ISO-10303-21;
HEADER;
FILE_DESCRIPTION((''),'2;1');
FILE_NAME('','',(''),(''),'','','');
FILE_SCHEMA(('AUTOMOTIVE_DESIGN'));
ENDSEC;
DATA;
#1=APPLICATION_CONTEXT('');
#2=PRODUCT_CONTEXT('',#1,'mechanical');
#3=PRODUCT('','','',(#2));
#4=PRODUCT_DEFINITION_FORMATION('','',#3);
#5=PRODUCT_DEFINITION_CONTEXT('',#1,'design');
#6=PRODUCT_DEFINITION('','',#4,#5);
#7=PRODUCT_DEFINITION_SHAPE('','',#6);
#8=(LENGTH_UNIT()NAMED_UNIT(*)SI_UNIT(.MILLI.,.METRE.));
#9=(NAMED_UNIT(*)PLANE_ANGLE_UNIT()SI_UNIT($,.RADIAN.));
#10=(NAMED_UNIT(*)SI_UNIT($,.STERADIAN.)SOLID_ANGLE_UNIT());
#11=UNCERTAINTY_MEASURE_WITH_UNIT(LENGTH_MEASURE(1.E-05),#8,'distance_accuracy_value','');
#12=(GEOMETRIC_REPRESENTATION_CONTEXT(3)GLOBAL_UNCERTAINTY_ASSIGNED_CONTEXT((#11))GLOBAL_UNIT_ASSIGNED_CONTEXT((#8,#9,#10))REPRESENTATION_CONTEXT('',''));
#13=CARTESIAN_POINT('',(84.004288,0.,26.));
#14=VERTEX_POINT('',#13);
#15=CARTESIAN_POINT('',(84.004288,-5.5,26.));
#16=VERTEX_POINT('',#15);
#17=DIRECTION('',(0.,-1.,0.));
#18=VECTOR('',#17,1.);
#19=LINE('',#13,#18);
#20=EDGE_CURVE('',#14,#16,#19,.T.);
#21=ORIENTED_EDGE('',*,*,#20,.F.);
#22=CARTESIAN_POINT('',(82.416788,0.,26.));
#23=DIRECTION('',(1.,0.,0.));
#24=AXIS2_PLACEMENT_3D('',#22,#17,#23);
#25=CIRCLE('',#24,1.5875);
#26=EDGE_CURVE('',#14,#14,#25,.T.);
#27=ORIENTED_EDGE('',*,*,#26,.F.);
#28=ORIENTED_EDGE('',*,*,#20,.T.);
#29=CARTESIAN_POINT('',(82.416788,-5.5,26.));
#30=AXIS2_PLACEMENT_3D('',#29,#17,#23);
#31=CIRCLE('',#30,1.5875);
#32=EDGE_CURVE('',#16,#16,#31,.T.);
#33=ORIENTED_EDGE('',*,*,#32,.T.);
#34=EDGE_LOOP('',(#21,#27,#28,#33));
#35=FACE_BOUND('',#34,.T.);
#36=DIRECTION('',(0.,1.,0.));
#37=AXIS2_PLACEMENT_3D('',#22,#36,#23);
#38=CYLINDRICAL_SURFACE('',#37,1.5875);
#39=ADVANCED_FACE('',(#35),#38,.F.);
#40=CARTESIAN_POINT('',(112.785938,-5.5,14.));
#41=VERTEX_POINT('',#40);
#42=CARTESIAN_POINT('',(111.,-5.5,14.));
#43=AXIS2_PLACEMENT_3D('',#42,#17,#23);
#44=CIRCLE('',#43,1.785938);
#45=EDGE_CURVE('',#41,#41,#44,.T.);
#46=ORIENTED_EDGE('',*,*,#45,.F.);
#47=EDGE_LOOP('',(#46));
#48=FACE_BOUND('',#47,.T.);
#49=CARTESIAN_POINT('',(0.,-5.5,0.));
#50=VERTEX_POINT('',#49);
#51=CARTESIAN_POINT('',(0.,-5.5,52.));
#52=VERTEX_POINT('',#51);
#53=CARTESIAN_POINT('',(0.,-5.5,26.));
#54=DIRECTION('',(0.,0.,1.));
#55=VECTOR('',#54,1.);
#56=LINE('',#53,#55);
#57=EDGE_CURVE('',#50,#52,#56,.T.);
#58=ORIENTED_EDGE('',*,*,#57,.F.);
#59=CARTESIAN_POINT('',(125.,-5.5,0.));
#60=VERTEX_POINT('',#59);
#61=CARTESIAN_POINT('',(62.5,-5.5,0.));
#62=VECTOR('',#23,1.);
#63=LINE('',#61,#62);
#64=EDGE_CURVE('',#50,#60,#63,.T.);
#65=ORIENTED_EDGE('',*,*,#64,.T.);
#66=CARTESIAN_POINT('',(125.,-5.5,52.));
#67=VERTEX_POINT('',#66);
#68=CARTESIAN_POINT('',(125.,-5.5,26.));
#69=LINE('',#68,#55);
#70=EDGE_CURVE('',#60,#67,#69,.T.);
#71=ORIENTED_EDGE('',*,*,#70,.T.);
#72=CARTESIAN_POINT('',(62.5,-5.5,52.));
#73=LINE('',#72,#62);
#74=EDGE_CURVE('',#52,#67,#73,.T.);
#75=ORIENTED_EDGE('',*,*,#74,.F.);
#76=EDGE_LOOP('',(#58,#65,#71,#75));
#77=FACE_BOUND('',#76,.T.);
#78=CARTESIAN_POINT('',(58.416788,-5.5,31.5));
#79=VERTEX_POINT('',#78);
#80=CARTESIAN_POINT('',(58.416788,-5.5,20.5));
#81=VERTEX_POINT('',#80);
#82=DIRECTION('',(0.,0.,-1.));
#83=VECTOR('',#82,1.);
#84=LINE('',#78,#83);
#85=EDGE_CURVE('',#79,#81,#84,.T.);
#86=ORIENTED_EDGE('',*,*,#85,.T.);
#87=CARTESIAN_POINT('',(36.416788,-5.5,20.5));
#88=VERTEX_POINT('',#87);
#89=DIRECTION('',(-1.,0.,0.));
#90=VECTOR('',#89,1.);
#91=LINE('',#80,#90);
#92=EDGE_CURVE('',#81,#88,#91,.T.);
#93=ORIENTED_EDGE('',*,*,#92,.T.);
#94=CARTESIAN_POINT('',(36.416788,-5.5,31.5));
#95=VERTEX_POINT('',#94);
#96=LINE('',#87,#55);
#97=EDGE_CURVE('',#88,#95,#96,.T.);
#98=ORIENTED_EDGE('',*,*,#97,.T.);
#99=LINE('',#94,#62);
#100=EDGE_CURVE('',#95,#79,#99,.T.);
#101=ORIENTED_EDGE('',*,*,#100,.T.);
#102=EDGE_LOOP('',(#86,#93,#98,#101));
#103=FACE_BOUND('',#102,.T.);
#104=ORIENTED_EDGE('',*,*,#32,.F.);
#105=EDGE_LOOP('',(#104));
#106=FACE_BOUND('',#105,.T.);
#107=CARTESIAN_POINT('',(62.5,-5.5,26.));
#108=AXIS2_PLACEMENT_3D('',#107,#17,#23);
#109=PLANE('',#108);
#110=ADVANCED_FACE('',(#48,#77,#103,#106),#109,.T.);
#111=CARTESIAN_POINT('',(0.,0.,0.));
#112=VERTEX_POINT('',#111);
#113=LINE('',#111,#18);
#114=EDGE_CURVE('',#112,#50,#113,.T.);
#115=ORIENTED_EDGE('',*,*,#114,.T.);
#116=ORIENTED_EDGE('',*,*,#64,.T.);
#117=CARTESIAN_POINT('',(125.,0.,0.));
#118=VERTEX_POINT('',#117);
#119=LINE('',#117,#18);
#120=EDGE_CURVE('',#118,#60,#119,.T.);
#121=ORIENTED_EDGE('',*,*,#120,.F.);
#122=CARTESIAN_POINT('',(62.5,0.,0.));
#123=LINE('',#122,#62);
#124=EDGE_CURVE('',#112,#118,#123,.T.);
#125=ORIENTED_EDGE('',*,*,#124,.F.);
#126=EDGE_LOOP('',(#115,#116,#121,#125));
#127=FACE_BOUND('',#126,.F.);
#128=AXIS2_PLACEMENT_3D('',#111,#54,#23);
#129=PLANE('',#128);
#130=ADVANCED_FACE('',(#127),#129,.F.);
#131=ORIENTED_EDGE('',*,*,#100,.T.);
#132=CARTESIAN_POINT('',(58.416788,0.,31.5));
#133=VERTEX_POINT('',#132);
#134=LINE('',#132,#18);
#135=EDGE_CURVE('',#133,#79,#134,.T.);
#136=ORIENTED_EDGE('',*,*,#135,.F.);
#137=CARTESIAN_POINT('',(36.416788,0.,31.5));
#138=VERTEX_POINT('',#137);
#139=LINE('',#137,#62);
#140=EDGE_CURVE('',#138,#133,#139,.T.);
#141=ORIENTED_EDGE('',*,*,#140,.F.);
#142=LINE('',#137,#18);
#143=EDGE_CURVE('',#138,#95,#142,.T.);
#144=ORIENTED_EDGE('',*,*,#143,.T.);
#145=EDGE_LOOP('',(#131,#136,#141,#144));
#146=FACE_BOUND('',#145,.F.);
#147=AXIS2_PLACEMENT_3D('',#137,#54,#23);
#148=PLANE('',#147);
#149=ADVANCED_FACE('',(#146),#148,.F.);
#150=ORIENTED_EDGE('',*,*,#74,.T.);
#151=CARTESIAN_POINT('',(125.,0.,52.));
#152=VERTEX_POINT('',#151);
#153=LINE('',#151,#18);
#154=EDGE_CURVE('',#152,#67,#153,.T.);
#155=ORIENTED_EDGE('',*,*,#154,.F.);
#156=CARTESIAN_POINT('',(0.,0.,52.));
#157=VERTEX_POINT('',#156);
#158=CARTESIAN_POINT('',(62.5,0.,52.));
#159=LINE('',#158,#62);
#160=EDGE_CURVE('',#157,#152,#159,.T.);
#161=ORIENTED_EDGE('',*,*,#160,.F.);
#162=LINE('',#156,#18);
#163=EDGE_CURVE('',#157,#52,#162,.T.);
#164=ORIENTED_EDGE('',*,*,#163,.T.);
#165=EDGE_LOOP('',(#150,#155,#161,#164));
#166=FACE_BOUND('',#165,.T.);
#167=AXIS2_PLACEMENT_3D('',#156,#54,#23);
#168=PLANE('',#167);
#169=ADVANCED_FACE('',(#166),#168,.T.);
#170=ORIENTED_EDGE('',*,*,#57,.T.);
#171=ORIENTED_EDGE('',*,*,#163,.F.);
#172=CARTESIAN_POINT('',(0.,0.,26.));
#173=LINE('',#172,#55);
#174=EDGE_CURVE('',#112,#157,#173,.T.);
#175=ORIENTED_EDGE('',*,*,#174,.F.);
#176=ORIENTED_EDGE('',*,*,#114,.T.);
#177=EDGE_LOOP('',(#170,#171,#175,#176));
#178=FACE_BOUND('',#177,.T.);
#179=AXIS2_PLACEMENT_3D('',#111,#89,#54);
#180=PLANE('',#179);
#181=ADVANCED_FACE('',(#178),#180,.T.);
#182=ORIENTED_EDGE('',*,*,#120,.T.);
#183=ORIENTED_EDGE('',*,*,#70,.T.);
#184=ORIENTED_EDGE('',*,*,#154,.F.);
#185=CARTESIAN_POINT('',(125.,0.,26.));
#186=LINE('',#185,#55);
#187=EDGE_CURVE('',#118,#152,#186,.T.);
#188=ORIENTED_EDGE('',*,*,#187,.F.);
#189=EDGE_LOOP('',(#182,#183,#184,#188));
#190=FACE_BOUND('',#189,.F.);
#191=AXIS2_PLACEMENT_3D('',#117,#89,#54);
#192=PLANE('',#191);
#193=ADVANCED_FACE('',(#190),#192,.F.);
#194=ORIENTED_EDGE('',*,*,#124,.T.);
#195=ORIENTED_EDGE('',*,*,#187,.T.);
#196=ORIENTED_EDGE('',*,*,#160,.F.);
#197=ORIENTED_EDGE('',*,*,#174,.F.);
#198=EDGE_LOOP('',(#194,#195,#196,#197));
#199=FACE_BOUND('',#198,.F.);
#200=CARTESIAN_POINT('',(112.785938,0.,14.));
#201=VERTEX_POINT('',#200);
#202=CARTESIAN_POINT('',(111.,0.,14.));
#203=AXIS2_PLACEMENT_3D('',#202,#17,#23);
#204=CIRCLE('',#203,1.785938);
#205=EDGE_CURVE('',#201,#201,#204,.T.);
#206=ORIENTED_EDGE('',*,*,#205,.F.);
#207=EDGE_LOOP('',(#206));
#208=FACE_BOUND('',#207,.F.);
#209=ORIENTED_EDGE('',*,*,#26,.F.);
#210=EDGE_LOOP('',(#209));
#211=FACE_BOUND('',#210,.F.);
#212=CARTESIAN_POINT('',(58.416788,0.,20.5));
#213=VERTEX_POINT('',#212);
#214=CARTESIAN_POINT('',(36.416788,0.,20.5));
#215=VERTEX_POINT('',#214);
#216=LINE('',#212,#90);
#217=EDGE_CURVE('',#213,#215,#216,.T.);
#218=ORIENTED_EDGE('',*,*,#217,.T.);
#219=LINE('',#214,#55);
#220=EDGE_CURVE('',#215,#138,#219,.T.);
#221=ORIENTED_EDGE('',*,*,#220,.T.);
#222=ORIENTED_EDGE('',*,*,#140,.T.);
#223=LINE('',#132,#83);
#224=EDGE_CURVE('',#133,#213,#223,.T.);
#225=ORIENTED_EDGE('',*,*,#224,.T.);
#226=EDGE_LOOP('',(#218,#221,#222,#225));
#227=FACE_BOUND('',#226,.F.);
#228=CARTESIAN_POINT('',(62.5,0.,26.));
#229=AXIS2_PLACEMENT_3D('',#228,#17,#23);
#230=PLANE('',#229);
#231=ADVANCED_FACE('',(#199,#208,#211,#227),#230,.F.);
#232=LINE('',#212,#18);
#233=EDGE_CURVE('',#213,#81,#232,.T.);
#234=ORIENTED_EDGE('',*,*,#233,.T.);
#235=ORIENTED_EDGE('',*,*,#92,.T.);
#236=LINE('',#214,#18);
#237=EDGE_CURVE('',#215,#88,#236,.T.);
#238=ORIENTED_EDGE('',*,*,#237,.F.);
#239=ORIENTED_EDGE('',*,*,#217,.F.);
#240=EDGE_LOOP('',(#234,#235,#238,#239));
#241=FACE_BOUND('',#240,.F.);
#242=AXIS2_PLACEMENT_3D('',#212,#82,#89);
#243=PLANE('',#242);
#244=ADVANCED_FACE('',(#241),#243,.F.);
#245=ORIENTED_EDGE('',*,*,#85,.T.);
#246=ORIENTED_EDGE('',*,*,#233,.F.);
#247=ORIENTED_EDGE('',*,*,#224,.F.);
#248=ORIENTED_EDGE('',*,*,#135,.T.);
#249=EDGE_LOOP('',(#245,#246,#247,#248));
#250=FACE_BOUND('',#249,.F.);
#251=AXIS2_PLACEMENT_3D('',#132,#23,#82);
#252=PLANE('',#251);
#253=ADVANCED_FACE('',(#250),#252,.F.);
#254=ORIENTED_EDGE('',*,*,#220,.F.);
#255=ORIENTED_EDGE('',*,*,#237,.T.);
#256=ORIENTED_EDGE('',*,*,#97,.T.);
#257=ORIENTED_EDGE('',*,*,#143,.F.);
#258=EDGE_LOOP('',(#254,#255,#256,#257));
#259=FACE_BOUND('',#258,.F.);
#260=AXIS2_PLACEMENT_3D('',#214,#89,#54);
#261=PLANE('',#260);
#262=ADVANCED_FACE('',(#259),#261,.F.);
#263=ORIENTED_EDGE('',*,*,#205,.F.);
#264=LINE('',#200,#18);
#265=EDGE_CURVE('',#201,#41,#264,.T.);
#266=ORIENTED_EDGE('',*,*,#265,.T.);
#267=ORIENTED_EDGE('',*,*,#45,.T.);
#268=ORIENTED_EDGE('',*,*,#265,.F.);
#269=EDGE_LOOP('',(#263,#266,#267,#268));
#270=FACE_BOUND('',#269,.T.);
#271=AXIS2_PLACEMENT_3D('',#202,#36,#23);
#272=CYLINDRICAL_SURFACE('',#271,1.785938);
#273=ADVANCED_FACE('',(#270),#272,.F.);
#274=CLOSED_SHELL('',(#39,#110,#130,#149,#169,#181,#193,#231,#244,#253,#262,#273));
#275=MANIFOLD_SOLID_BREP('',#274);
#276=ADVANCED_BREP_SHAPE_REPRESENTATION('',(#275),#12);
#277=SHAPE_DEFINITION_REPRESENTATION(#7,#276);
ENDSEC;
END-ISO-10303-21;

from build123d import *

# Parameters (mm, degrees)
F0_W     = 125
F0_H     = 52
F0_R     = 1.785938
F0_R_2   = 1.5875
F1_DEPTH = 5.5


with BuildPart() as f1:
    # F0 (on Front) → F1 (new body)
    with BuildSketch(Plane.XZ):
        with Locations((62.5, 26)):
            Rectangle(F0_W, F0_H)
        with Locations((111, 14)):
            Circle(F0_R, mode=Mode.SUBTRACT)
        Polygon((58.416788, 31.5), (58.416788, 26), (58.416788, 20.5), (36.416788, 20.5), (36.416788, 31.5), align=None, mode=Mode.SUBTRACT)
        with Locations((82.416788, 26)):
            Circle(F0_R_2, mode=Mode.SUBTRACT)
    extrude(amount=F1_DEPTH)


solid = f1.part
